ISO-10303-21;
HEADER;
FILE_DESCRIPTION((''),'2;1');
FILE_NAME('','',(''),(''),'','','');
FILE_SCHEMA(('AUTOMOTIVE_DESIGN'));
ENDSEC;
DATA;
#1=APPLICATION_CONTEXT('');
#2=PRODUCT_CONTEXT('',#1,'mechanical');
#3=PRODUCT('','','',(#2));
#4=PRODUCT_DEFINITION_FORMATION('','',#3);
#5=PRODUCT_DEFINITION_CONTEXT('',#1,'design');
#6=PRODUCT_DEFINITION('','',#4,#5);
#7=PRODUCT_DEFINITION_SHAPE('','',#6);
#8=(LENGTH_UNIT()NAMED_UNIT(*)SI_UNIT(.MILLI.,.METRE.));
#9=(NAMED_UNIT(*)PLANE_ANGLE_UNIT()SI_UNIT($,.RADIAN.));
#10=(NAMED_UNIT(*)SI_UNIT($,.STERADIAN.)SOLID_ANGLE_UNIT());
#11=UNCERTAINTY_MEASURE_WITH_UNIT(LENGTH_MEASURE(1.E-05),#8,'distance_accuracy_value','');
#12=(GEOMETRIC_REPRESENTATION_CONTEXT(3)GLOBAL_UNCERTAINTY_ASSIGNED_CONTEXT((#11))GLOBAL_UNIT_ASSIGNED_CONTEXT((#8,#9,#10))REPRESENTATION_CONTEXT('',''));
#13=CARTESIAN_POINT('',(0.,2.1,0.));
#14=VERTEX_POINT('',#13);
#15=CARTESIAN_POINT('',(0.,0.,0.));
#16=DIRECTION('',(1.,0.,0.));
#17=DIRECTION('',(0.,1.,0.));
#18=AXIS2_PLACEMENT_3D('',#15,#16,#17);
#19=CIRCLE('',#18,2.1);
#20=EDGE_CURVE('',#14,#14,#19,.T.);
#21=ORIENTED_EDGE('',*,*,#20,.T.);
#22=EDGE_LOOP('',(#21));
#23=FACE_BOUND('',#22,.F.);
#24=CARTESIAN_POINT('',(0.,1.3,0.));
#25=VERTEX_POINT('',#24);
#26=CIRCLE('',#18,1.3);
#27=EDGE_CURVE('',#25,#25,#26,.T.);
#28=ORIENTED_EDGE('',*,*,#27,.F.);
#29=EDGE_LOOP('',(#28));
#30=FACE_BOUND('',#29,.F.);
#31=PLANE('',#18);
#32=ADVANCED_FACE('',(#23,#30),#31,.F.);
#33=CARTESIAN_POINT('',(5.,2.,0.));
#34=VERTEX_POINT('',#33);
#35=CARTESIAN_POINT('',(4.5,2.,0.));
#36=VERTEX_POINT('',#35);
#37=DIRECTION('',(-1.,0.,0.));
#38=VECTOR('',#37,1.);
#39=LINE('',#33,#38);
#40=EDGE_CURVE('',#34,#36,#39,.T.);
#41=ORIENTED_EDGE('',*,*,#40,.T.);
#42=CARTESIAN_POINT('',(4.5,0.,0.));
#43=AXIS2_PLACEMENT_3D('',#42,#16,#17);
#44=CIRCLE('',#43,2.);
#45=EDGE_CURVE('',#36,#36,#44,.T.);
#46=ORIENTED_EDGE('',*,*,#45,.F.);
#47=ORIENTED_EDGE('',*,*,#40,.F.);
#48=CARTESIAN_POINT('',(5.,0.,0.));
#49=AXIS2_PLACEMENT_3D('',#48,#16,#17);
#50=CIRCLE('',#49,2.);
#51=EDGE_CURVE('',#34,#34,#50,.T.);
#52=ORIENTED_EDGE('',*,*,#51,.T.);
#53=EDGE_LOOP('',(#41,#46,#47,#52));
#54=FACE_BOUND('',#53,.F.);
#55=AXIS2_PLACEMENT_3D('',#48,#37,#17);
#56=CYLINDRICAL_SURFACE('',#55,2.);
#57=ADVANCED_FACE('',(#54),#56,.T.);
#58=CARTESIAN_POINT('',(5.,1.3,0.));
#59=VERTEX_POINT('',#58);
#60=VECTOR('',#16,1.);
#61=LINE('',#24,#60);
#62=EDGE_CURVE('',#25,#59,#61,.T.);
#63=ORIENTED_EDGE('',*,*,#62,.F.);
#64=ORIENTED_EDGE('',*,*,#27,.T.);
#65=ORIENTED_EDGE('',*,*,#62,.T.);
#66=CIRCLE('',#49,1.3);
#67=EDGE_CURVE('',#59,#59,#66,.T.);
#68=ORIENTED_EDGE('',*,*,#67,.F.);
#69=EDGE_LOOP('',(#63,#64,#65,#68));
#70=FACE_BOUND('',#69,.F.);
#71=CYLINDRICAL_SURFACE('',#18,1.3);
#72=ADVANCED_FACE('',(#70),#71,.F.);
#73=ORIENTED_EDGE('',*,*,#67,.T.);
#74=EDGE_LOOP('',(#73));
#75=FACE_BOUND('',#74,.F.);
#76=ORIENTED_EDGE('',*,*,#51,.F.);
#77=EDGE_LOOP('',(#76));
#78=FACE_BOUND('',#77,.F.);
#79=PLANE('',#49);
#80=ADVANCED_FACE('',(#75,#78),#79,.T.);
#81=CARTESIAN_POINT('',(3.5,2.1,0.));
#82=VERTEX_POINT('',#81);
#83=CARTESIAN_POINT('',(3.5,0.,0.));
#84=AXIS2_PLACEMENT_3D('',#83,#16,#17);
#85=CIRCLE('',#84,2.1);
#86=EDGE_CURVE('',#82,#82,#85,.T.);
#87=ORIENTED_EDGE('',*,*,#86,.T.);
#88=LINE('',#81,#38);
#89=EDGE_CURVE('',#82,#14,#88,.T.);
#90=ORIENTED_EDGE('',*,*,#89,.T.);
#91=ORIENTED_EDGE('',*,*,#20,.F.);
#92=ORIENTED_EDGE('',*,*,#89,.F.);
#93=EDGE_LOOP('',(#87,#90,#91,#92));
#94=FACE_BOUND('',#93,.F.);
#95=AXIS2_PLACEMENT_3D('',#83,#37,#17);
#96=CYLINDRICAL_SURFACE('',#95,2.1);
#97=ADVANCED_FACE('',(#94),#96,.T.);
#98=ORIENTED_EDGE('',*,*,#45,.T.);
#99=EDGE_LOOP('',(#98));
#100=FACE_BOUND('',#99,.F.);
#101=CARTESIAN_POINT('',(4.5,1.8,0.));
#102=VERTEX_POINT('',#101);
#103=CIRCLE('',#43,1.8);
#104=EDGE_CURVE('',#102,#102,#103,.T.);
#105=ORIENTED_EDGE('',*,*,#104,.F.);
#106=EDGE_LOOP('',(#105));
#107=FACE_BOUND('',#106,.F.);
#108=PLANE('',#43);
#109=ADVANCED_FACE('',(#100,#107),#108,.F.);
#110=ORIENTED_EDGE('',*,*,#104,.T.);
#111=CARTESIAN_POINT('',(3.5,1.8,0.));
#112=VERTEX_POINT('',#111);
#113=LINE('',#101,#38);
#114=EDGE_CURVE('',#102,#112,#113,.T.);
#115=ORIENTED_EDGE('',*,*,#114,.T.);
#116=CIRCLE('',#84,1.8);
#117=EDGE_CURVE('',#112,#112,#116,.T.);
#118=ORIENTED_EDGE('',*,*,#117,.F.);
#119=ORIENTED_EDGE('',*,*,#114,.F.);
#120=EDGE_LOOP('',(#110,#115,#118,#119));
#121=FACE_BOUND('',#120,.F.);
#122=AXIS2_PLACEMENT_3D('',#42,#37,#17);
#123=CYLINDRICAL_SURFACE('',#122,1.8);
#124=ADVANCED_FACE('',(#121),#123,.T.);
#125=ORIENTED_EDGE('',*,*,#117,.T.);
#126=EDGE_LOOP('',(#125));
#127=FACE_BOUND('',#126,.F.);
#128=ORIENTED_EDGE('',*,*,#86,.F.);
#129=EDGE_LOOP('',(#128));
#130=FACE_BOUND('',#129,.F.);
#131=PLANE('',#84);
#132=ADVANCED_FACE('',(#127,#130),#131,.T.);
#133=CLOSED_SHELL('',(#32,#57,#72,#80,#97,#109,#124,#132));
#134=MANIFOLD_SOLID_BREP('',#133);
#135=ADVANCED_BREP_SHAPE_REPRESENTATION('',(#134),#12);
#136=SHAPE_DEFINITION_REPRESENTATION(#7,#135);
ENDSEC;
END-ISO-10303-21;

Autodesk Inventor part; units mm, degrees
ref_plane "YZ Plane" through (0, 0, 0) normal (1, 0, 0) x (0, 1, 0)
ref_plane "XZ Plane" through (0, 0, 0) normal (0, 1, 0) x (-1, 0, 0)
ref_plane "XY Plane" through (0, 0, 0) normal (0, 0, 1) x (1, 0, 0)
sketch "Эскиз1" plane through (0, 0, 0) normal (0, 0, 1) x (1, 0, 0)
  line L0 (0, 1.3) -> (5, 1.3)
  line L1 (5, 1.3) -> (5, 2)
  line L2 (5, 2) -> (4.5, 2)
  line L3 (4.5, 2) -> (4.5, 1.8)
  line L4 (4.5, 1.8) -> (3.5, 1.8)
  line L5 (3.5, 1.8) -> (3.5, 2.1)
  line L6 (3.5, 2.1) -> (0, 2.1)
  line L7 (0, 2.1) -> (0, 1.3)
  line L8 (-1, 0) -> (6, 0) construction
  line L9 (0, -0.42) -> (0, 2.52) construction
  point P0 (0, 0)
  dimension "d0" = 1.3
  dimension "d1" = 2.1
  dimension "d2" = 2
  dimension "d3" = 0.5
  dimension "d4" = 5
  dimension "d5" = 0.5
  dimension "d6" = 3.5
revolve "Вращение1" add sketch "Эскиз1" angle 360 about axis through (-10, 0, 0) along (1, 0, 0)
properties part number "Резьбовая втулка"
